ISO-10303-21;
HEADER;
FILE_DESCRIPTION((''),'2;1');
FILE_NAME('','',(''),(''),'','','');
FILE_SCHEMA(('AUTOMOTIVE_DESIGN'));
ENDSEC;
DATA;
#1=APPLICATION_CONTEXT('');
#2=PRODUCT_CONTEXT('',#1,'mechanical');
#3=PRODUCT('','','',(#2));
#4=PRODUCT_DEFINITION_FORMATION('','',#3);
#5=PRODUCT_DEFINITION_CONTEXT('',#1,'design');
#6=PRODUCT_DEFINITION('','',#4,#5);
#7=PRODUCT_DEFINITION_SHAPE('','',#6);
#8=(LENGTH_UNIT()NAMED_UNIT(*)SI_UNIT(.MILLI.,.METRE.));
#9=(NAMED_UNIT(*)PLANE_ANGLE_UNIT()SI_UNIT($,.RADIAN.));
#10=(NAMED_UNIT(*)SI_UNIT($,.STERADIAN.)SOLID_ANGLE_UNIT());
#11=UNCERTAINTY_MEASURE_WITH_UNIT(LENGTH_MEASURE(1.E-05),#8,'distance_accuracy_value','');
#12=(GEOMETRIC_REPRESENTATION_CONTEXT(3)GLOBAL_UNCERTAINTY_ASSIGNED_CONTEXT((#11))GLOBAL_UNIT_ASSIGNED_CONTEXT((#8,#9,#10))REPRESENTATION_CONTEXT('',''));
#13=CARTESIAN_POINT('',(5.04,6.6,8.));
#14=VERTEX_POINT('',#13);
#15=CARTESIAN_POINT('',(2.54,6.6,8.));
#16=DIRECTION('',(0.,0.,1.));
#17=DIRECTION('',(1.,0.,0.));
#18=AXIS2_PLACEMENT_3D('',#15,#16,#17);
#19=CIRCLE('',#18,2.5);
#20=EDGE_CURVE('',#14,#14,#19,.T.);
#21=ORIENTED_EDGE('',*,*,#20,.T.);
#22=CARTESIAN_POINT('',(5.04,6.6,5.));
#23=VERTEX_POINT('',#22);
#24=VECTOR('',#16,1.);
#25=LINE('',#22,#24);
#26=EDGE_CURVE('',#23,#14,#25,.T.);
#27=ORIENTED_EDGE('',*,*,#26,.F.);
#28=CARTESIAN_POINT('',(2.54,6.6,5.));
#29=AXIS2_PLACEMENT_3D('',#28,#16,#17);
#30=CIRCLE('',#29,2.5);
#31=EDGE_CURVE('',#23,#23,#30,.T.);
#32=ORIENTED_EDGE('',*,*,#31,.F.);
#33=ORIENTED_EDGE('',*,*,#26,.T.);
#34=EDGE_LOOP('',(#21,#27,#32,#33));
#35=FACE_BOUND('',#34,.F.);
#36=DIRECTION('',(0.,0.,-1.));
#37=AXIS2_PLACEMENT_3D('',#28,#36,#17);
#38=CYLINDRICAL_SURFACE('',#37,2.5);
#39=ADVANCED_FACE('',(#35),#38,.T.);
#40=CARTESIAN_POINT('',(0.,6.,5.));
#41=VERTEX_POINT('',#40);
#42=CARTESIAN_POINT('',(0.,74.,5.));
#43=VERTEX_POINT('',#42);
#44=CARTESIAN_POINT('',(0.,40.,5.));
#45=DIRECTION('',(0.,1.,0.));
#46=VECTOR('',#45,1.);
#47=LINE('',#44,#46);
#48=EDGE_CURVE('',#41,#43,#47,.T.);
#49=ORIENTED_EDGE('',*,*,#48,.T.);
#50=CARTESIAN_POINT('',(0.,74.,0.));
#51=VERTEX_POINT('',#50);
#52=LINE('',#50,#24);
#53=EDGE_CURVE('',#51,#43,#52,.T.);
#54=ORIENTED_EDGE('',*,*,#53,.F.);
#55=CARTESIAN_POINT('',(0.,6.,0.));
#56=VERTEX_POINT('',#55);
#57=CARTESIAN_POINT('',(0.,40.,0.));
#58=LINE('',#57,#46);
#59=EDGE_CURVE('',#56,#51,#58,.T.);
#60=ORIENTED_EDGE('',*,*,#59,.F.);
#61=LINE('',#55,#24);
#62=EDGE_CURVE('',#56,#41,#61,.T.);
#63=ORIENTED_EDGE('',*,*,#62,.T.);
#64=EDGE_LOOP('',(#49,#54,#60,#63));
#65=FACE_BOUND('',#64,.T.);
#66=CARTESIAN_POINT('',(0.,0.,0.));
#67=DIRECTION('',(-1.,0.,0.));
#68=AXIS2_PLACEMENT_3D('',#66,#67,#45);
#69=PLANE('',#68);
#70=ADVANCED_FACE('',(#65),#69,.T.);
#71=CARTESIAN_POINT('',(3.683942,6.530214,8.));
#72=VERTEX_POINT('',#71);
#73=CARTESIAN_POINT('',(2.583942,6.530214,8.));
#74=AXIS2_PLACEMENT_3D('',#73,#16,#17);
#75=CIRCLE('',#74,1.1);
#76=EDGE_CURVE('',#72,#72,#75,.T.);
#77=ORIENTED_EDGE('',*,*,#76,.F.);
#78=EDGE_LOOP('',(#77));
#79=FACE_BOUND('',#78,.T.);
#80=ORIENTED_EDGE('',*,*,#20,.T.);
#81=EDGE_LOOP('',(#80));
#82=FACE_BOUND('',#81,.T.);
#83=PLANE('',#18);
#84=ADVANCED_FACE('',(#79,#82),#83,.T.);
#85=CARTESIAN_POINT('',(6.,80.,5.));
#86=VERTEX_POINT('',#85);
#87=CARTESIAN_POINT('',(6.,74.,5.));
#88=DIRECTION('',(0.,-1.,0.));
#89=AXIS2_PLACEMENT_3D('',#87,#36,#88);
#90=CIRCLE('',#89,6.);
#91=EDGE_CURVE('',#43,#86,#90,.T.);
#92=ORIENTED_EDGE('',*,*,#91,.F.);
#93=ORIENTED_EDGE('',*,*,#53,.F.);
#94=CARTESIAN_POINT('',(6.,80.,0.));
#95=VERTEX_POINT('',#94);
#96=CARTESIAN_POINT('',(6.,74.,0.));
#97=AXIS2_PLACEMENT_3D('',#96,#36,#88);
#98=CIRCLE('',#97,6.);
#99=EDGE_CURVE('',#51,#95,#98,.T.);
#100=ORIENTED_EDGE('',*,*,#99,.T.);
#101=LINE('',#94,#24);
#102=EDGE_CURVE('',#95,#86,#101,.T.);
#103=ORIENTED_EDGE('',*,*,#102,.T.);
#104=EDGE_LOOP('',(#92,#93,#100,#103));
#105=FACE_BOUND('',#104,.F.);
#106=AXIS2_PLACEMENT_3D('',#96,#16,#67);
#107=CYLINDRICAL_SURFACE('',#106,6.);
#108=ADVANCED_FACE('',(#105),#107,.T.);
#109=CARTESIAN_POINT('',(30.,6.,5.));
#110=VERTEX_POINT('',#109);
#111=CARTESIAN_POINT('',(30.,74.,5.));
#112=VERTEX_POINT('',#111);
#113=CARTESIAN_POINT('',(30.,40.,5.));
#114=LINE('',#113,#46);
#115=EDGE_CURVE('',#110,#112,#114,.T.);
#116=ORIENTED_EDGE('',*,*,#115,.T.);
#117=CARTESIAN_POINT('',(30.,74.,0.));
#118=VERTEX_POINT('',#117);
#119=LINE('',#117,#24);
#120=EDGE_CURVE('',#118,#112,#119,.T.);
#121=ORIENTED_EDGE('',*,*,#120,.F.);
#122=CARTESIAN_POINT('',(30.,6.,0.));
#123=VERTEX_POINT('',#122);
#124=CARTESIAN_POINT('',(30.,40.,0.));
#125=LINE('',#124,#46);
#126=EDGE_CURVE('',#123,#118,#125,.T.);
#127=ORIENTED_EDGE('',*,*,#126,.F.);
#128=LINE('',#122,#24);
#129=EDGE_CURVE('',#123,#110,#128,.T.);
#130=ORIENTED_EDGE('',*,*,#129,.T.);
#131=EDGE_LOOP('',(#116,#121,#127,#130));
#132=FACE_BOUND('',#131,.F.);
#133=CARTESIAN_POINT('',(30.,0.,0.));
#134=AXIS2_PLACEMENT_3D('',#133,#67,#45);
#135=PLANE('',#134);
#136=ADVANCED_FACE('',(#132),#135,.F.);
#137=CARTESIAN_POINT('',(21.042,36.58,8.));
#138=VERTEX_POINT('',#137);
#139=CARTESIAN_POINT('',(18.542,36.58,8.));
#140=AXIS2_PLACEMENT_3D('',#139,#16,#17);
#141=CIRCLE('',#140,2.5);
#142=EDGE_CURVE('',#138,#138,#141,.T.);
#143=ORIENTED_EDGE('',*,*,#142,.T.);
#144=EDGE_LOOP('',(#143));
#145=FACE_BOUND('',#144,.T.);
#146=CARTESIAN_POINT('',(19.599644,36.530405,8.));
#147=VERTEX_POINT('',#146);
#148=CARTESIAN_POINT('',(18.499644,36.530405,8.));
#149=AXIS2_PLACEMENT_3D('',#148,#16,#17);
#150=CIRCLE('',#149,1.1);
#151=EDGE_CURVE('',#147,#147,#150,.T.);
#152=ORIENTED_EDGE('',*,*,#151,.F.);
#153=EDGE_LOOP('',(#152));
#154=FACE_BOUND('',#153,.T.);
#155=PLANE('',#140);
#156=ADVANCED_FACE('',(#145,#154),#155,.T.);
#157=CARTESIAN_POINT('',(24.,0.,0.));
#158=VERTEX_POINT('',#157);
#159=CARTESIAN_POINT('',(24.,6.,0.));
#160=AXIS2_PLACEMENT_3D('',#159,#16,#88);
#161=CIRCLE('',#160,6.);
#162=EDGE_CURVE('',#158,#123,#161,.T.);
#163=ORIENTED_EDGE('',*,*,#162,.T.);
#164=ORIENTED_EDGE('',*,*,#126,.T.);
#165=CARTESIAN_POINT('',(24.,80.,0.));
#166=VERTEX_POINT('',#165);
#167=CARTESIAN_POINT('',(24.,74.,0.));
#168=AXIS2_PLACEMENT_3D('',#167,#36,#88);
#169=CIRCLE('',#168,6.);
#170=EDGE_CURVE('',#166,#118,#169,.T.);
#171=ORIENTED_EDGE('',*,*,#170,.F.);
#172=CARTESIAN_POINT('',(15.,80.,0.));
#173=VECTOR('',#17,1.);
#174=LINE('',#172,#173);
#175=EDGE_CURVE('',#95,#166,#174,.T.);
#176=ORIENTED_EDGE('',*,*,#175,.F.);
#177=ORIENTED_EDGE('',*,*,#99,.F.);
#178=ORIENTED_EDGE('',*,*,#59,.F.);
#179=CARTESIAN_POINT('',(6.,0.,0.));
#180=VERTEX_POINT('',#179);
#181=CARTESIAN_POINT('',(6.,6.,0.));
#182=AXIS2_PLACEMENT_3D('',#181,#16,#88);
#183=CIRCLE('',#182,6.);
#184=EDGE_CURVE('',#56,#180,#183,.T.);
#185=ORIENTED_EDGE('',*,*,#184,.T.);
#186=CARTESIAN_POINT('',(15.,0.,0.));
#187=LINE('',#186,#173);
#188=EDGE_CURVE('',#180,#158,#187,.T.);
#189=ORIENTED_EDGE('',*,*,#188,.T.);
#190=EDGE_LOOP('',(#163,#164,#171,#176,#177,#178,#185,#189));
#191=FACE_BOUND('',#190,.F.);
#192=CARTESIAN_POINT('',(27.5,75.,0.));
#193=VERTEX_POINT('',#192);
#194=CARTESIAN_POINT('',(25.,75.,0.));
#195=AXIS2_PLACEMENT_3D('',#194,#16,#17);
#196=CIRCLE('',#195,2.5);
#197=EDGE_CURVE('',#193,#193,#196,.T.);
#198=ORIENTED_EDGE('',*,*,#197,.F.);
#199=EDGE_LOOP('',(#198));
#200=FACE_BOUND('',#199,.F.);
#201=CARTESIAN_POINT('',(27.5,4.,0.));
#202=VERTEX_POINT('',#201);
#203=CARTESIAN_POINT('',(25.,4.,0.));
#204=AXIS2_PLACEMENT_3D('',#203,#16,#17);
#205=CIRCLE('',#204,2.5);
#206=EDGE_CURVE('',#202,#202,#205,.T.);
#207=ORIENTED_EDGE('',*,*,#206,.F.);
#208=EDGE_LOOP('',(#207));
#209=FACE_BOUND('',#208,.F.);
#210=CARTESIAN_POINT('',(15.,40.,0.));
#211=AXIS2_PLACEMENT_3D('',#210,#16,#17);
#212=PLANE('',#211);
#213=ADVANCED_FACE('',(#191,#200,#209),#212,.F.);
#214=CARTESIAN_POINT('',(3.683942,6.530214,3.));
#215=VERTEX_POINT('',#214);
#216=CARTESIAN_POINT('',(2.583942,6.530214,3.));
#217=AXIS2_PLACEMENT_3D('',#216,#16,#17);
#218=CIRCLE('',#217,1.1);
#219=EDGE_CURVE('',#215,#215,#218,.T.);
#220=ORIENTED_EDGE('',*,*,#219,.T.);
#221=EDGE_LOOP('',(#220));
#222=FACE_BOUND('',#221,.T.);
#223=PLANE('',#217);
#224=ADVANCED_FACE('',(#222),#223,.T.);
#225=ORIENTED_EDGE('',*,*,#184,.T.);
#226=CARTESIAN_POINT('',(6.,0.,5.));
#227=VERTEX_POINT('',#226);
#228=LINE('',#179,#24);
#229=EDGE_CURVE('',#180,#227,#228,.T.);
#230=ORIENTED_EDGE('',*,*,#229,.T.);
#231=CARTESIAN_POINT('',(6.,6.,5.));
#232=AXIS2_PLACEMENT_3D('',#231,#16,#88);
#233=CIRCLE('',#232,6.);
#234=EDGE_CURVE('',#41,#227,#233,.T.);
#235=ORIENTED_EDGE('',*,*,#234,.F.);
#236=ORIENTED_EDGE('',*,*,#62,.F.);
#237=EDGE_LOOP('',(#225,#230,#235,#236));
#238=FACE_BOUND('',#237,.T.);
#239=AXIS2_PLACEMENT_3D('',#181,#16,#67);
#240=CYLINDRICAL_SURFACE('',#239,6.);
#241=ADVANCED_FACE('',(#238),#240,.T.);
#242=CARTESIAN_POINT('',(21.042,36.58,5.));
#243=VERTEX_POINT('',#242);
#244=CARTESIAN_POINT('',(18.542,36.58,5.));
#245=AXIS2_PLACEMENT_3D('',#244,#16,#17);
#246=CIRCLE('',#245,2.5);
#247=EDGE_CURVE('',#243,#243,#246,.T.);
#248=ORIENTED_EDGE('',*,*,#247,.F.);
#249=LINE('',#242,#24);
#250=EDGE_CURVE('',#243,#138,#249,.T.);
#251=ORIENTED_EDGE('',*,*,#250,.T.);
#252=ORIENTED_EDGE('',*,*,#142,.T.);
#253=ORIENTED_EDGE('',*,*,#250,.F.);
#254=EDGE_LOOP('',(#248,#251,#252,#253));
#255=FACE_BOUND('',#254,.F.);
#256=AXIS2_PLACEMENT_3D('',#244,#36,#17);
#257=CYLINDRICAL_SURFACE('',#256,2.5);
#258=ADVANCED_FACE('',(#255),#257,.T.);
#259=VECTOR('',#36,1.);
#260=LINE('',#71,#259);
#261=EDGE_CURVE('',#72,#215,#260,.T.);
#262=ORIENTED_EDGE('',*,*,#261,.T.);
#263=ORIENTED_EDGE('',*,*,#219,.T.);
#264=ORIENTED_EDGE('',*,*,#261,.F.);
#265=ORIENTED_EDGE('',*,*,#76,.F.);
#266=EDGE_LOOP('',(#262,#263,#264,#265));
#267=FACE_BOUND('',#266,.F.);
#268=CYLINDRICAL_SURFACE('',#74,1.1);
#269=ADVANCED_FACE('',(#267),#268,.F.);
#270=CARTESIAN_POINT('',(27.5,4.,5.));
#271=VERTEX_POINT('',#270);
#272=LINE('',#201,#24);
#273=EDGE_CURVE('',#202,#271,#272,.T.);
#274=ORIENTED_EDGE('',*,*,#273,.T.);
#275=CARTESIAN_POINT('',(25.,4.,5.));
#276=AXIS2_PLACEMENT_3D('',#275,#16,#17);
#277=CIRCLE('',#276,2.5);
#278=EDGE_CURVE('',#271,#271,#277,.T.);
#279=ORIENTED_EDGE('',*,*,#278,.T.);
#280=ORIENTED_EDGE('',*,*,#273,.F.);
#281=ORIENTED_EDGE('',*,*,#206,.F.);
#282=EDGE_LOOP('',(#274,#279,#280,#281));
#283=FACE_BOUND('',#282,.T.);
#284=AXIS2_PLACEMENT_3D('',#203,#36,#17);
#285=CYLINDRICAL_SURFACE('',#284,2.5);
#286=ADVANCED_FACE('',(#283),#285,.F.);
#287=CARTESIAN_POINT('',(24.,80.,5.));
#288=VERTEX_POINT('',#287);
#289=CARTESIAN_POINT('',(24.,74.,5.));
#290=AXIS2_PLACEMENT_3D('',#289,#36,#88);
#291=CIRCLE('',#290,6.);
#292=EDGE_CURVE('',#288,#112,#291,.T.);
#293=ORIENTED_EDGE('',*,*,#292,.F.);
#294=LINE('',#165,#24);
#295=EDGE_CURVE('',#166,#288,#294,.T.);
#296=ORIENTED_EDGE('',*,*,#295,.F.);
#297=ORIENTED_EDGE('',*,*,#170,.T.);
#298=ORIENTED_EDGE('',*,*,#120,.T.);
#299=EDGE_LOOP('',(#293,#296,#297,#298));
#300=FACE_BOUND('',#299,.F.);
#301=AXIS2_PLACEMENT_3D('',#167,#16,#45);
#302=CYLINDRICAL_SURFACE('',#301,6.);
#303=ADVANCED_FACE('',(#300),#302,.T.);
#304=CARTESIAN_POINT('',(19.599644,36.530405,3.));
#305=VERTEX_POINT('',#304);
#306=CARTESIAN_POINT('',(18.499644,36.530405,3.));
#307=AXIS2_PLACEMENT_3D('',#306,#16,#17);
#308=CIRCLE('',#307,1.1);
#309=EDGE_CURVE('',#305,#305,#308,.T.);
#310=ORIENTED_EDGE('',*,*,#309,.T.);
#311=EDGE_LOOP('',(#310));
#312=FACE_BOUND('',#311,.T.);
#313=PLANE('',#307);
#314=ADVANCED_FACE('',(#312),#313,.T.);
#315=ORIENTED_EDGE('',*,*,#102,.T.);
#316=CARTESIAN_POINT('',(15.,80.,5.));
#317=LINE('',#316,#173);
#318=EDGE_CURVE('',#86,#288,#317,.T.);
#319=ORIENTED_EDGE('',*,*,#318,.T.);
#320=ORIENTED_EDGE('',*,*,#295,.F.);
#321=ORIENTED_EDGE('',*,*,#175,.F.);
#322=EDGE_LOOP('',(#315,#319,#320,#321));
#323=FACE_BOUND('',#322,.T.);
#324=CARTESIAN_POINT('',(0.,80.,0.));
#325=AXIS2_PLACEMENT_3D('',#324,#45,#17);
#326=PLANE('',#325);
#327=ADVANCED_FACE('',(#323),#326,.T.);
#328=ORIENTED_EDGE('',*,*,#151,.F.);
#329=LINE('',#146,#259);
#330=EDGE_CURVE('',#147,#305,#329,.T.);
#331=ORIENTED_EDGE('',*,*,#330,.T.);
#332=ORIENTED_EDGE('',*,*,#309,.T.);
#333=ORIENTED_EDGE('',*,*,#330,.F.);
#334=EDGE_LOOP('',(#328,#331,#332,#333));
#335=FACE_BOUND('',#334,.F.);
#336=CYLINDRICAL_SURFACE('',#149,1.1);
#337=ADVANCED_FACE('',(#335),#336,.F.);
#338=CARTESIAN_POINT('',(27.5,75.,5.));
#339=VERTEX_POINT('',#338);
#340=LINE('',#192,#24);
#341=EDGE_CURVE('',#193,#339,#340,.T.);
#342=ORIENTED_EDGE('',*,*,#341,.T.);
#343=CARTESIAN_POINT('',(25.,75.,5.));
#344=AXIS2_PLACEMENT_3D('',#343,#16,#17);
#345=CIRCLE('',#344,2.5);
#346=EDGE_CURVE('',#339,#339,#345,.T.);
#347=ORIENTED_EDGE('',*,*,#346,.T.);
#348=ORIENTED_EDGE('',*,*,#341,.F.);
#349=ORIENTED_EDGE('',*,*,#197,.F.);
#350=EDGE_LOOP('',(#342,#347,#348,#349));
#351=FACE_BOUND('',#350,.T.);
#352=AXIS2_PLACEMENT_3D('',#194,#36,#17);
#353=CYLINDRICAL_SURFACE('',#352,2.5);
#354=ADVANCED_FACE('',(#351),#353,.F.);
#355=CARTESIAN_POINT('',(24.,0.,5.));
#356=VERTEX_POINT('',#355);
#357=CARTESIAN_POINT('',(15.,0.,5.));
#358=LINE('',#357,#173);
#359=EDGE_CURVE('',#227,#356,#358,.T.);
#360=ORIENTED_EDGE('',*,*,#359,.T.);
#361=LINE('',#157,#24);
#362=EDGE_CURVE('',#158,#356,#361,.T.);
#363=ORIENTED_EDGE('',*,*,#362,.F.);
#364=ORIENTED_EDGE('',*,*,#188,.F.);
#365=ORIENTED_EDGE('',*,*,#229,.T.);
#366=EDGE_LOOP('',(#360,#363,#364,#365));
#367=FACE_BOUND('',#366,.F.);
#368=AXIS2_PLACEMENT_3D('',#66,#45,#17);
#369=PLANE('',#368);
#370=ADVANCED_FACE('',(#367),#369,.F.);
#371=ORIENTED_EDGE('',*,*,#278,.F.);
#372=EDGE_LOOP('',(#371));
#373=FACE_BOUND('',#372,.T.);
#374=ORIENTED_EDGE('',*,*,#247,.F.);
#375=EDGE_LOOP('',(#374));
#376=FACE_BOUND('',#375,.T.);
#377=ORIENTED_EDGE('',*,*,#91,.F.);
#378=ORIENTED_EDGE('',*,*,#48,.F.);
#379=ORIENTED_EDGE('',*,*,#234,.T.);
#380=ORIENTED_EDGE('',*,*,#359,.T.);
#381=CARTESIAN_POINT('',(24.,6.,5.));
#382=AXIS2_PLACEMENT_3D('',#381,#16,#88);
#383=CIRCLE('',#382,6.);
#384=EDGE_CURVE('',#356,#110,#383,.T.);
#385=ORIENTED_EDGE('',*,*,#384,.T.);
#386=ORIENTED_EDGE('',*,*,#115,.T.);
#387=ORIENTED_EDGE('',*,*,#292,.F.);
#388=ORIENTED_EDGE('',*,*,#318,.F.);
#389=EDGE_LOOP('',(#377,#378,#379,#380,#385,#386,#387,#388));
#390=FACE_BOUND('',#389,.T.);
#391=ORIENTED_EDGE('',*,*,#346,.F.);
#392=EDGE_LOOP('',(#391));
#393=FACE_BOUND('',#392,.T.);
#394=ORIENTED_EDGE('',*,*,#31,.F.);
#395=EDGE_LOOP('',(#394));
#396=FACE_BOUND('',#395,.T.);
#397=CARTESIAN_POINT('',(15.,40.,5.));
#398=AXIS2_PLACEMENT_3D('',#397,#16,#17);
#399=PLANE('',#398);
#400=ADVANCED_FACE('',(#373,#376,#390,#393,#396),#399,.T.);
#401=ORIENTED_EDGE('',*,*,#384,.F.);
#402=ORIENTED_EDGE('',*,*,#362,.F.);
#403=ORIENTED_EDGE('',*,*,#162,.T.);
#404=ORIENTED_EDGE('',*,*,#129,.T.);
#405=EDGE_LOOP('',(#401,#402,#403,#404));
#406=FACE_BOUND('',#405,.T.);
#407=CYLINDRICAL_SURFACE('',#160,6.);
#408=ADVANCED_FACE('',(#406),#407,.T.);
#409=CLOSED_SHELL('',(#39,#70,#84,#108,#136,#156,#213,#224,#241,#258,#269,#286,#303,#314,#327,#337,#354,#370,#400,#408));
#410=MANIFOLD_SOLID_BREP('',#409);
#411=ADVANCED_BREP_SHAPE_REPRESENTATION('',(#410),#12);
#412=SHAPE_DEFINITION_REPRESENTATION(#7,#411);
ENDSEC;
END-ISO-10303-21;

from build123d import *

# Parameters (mm, degrees)
SKETCH_W     = 30
SKETCH_H     = 80
SKETCH_R     = 2.5
PAD_DEPTH    = 5
SKETCH001_R  = 2.5
PAD001_DEPTH = 3
SKETCH002_R  = 1.1
POCKET_DEPTH = 5
FILLET_R     = 6


with BuildPart() as part:
    # Sketch → Pad (new body)
    with BuildSketch(Plane.XY):
        with Locations((15, 40)):
            Rectangle(SKETCH_W, SKETCH_H)
        with Locations((25, 4)):
            Circle(SKETCH_R, mode=Mode.SUBTRACT)
        with Locations((25, 75)):
            Circle(SKETCH_R, mode=Mode.SUBTRACT)
    extrude(amount=PAD_DEPTH)

    # Sketch001 (on Face8 of Pad) → Pad001 (join)
    with BuildSketch(Plane.XY.offset(5)):
        with Locations((2.54, 6.6)):
            Circle(SKETCH001_R)
        with Locations((18.542, 36.58)):
            Circle(SKETCH001_R)
    extrude(amount=PAD001_DEPTH)

    # Sketch002 (on DatumPlane) → Pocket (cut)
    with BuildSketch(Plane.XY.offset(8)):
        with Locations((2.583942, 6.530214)):
            Circle(SKETCH002_R)
        with Locations((18.499644, 36.530405)):
            Circle(SKETCH002_R)
    extrude(amount=-POCKET_DEPTH, mode=Mode.SUBTRACT)

    # Fillet
    fillet_edges = [part.edges().sort_by_distance(p)[0] for p in [
        (30, 0, 2.5),
        (0, 0, 2.5),
        (30, 80, 2.5),
        (0, 80, 2.5),
    ]]
    fillet(fillet_edges, radius=FILLET_R)


solid = part.part
